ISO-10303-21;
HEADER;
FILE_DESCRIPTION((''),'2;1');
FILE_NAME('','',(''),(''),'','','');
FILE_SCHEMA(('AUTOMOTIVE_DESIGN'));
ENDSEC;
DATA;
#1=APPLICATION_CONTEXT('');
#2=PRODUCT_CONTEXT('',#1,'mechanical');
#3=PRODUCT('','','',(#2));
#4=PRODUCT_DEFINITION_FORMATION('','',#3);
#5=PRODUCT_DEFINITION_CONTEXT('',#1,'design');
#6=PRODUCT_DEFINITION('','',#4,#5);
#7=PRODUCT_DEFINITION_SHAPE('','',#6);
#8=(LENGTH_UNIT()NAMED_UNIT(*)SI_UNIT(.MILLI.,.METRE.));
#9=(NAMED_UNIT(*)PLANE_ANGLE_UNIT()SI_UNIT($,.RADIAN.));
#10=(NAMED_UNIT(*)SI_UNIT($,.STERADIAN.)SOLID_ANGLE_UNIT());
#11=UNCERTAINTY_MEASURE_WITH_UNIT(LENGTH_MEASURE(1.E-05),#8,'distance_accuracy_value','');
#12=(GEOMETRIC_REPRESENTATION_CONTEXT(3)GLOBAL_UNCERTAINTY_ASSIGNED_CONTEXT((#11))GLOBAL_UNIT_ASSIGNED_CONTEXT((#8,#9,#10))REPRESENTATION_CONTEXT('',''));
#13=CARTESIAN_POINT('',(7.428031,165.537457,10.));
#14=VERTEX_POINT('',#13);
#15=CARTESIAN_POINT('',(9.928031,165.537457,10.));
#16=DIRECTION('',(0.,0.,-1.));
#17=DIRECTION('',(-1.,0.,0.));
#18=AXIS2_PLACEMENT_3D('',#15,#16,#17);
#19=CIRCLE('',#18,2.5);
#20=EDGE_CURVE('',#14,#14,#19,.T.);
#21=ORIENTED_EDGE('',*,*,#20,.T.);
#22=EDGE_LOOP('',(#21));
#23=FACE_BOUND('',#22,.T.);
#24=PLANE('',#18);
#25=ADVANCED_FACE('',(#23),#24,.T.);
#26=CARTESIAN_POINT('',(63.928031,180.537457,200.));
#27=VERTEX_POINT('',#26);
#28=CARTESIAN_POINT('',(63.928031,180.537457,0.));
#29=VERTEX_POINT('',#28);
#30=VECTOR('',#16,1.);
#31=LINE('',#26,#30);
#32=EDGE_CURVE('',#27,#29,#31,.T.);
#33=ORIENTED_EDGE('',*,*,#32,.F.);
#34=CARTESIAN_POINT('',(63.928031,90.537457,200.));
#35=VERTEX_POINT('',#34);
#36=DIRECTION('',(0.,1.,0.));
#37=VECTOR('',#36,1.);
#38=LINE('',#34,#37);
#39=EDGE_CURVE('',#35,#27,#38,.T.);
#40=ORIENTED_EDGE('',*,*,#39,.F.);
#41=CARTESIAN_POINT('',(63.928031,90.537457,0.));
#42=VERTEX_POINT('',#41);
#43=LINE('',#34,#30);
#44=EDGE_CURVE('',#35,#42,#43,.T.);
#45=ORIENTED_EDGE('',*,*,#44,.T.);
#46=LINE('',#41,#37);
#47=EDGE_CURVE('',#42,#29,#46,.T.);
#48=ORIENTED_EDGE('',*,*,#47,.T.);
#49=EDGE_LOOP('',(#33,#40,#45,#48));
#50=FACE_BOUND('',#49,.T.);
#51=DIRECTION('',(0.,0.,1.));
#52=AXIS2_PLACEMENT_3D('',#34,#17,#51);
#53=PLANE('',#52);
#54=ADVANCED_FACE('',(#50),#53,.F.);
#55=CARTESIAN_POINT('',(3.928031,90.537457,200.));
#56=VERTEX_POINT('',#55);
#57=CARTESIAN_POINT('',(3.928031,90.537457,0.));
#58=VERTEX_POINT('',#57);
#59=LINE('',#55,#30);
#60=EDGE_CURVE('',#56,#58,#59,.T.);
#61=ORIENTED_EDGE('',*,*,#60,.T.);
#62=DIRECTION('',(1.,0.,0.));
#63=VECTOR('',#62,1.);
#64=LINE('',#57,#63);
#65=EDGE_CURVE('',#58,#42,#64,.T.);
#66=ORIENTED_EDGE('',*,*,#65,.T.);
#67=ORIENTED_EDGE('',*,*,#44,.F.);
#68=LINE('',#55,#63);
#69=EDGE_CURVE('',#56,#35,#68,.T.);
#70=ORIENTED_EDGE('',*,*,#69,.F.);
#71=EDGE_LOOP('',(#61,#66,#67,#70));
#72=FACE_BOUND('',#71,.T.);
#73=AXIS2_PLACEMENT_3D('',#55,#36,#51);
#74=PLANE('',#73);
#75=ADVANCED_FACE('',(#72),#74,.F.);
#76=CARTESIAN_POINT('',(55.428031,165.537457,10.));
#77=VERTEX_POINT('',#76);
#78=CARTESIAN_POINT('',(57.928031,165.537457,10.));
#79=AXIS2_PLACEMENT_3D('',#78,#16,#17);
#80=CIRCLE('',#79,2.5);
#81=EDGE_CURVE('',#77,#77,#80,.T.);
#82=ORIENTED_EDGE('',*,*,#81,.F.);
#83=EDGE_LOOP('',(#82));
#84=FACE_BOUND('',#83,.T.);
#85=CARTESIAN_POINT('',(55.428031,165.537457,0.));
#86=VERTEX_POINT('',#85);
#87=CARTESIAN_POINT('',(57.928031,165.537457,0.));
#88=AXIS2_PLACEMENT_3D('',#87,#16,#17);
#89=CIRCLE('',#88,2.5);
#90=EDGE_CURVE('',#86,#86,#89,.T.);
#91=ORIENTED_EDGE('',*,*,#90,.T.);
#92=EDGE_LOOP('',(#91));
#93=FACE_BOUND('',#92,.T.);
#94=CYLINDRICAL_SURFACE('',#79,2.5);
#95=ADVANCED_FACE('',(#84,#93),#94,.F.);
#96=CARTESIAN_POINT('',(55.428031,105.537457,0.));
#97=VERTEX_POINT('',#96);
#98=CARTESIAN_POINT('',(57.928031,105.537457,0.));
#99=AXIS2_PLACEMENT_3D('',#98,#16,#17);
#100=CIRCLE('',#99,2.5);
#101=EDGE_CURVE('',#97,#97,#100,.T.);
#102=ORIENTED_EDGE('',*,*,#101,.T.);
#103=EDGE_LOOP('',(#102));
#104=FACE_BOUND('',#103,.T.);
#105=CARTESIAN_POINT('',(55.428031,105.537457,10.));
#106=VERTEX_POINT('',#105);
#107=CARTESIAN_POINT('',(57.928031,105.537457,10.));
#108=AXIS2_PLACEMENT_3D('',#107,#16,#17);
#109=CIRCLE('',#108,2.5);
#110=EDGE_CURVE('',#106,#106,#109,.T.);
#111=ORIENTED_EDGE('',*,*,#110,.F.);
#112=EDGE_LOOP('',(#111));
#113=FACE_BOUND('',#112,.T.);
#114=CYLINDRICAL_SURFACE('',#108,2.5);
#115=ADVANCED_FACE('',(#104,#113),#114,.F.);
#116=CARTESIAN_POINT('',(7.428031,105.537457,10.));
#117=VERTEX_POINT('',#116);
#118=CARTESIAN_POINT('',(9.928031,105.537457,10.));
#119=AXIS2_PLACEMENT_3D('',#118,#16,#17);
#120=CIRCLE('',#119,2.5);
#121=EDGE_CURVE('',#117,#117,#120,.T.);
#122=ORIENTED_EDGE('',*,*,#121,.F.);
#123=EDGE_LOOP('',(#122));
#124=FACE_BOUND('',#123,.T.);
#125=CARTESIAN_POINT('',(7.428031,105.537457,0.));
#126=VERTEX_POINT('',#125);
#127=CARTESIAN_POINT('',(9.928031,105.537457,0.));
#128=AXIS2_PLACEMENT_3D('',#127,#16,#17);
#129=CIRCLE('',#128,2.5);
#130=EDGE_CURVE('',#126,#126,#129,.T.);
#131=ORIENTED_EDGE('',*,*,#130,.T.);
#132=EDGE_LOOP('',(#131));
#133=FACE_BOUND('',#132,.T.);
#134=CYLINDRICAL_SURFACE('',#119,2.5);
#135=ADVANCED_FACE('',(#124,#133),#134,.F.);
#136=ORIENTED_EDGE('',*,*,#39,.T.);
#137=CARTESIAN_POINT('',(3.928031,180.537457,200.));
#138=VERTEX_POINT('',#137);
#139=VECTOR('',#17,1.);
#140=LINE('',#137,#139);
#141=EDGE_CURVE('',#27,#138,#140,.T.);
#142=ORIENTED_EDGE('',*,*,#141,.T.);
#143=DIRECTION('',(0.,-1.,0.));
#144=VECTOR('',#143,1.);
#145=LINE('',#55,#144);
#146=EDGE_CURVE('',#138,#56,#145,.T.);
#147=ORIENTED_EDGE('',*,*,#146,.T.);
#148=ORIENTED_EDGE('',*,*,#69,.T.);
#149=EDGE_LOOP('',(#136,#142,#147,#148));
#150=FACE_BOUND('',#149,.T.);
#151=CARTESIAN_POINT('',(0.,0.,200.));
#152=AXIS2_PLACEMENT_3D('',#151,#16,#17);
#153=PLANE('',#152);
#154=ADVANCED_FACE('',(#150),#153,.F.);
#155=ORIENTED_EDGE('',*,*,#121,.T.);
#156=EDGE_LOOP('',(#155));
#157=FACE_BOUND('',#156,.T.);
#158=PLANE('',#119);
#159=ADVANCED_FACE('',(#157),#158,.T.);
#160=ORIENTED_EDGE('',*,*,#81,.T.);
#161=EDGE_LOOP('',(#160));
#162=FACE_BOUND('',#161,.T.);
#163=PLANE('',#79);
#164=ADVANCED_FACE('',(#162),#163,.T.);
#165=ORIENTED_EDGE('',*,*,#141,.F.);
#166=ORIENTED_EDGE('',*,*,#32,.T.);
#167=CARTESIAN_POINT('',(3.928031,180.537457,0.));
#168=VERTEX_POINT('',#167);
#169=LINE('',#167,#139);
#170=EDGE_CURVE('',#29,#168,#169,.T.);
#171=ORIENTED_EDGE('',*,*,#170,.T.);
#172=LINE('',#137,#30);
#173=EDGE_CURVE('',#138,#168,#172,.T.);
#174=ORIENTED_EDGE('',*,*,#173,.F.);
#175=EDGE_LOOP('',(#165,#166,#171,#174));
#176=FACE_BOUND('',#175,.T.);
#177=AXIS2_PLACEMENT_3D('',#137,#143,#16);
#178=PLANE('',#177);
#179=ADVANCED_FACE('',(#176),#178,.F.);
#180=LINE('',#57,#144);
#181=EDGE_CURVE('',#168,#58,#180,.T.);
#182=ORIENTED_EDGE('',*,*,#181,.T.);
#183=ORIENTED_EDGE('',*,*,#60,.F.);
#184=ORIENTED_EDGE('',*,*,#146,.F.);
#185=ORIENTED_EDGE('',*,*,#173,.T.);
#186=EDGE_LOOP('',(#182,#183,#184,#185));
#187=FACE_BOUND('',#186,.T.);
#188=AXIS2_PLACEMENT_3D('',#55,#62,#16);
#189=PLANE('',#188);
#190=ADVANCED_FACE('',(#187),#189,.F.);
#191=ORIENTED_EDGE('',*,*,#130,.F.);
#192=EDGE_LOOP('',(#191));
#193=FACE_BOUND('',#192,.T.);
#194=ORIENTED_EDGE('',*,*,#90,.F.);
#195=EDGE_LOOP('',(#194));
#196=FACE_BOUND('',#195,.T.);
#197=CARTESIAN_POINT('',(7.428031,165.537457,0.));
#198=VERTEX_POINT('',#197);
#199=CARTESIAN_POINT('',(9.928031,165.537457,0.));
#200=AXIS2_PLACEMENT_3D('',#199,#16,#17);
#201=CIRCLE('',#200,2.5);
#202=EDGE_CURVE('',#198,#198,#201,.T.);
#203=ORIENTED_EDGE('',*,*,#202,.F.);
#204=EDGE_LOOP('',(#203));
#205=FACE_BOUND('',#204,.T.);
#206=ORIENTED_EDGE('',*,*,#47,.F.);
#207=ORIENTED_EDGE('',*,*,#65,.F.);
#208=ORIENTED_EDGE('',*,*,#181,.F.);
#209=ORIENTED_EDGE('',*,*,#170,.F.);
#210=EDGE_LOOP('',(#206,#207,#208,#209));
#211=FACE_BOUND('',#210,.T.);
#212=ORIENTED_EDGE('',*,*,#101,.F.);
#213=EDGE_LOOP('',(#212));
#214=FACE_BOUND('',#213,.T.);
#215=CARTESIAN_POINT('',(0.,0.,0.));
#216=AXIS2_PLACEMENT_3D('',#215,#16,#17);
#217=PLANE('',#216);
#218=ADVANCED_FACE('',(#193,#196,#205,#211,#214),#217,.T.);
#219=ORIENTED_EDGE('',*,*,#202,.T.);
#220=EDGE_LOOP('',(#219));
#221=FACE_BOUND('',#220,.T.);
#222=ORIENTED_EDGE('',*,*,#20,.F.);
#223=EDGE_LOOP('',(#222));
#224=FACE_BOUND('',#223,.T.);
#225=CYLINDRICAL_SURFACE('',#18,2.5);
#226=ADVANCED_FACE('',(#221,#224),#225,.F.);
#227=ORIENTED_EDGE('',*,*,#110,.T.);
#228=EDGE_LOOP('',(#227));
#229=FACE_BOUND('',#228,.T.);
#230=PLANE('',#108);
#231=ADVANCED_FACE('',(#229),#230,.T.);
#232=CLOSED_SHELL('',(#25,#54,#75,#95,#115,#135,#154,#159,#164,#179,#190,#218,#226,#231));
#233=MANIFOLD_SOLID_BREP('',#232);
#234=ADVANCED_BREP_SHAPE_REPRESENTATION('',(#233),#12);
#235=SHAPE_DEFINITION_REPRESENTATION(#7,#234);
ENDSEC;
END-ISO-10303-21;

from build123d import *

# Parameters (mm, degrees)
ESQUISSE1_W             = 60
ESQUISSE1_H             = 90
BOSS_EXTRU_1_DEPTH      = 200
ESQUISSE2_R             = 2.5
ENL_V_MAT_EXTRU_1_DEPTH = 10


with BuildPart() as part:
    # Esquisse1 → Boss.-Extru.1 (new body)
    with BuildSketch(Plane.XY):
        with Locations((33.928030549, 135.537456897)):
            Rectangle(ESQUISSE1_W, ESQUISSE1_H)
    extrude(amount=BOSS_EXTRU_1_DEPTH)

    # Esquisse2 → Enlèv. mat.-Extru.1 (cut)
    with BuildSketch(Plane(origin=(0, 0, 0), x_dir=(-1, 0, 0), z_dir=(0, 0, -1))):
        with Locations((-57.928030549, 105.537456897)):
            Circle(ESQUISSE2_R)
        with Locations((-9.928030549, 105.537456897)):
            Circle(ESQUISSE2_R)
        with Locations((-9.928030549, 165.537456897)):
            Circle(ESQUISSE2_R)
        with Locations((-57.928030549, 165.537456897)):
            Circle(ESQUISSE2_R)
    extrude(amount=-ENL_V_MAT_EXTRU_1_DEPTH, mode=Mode.SUBTRACT)


solid = part.part
